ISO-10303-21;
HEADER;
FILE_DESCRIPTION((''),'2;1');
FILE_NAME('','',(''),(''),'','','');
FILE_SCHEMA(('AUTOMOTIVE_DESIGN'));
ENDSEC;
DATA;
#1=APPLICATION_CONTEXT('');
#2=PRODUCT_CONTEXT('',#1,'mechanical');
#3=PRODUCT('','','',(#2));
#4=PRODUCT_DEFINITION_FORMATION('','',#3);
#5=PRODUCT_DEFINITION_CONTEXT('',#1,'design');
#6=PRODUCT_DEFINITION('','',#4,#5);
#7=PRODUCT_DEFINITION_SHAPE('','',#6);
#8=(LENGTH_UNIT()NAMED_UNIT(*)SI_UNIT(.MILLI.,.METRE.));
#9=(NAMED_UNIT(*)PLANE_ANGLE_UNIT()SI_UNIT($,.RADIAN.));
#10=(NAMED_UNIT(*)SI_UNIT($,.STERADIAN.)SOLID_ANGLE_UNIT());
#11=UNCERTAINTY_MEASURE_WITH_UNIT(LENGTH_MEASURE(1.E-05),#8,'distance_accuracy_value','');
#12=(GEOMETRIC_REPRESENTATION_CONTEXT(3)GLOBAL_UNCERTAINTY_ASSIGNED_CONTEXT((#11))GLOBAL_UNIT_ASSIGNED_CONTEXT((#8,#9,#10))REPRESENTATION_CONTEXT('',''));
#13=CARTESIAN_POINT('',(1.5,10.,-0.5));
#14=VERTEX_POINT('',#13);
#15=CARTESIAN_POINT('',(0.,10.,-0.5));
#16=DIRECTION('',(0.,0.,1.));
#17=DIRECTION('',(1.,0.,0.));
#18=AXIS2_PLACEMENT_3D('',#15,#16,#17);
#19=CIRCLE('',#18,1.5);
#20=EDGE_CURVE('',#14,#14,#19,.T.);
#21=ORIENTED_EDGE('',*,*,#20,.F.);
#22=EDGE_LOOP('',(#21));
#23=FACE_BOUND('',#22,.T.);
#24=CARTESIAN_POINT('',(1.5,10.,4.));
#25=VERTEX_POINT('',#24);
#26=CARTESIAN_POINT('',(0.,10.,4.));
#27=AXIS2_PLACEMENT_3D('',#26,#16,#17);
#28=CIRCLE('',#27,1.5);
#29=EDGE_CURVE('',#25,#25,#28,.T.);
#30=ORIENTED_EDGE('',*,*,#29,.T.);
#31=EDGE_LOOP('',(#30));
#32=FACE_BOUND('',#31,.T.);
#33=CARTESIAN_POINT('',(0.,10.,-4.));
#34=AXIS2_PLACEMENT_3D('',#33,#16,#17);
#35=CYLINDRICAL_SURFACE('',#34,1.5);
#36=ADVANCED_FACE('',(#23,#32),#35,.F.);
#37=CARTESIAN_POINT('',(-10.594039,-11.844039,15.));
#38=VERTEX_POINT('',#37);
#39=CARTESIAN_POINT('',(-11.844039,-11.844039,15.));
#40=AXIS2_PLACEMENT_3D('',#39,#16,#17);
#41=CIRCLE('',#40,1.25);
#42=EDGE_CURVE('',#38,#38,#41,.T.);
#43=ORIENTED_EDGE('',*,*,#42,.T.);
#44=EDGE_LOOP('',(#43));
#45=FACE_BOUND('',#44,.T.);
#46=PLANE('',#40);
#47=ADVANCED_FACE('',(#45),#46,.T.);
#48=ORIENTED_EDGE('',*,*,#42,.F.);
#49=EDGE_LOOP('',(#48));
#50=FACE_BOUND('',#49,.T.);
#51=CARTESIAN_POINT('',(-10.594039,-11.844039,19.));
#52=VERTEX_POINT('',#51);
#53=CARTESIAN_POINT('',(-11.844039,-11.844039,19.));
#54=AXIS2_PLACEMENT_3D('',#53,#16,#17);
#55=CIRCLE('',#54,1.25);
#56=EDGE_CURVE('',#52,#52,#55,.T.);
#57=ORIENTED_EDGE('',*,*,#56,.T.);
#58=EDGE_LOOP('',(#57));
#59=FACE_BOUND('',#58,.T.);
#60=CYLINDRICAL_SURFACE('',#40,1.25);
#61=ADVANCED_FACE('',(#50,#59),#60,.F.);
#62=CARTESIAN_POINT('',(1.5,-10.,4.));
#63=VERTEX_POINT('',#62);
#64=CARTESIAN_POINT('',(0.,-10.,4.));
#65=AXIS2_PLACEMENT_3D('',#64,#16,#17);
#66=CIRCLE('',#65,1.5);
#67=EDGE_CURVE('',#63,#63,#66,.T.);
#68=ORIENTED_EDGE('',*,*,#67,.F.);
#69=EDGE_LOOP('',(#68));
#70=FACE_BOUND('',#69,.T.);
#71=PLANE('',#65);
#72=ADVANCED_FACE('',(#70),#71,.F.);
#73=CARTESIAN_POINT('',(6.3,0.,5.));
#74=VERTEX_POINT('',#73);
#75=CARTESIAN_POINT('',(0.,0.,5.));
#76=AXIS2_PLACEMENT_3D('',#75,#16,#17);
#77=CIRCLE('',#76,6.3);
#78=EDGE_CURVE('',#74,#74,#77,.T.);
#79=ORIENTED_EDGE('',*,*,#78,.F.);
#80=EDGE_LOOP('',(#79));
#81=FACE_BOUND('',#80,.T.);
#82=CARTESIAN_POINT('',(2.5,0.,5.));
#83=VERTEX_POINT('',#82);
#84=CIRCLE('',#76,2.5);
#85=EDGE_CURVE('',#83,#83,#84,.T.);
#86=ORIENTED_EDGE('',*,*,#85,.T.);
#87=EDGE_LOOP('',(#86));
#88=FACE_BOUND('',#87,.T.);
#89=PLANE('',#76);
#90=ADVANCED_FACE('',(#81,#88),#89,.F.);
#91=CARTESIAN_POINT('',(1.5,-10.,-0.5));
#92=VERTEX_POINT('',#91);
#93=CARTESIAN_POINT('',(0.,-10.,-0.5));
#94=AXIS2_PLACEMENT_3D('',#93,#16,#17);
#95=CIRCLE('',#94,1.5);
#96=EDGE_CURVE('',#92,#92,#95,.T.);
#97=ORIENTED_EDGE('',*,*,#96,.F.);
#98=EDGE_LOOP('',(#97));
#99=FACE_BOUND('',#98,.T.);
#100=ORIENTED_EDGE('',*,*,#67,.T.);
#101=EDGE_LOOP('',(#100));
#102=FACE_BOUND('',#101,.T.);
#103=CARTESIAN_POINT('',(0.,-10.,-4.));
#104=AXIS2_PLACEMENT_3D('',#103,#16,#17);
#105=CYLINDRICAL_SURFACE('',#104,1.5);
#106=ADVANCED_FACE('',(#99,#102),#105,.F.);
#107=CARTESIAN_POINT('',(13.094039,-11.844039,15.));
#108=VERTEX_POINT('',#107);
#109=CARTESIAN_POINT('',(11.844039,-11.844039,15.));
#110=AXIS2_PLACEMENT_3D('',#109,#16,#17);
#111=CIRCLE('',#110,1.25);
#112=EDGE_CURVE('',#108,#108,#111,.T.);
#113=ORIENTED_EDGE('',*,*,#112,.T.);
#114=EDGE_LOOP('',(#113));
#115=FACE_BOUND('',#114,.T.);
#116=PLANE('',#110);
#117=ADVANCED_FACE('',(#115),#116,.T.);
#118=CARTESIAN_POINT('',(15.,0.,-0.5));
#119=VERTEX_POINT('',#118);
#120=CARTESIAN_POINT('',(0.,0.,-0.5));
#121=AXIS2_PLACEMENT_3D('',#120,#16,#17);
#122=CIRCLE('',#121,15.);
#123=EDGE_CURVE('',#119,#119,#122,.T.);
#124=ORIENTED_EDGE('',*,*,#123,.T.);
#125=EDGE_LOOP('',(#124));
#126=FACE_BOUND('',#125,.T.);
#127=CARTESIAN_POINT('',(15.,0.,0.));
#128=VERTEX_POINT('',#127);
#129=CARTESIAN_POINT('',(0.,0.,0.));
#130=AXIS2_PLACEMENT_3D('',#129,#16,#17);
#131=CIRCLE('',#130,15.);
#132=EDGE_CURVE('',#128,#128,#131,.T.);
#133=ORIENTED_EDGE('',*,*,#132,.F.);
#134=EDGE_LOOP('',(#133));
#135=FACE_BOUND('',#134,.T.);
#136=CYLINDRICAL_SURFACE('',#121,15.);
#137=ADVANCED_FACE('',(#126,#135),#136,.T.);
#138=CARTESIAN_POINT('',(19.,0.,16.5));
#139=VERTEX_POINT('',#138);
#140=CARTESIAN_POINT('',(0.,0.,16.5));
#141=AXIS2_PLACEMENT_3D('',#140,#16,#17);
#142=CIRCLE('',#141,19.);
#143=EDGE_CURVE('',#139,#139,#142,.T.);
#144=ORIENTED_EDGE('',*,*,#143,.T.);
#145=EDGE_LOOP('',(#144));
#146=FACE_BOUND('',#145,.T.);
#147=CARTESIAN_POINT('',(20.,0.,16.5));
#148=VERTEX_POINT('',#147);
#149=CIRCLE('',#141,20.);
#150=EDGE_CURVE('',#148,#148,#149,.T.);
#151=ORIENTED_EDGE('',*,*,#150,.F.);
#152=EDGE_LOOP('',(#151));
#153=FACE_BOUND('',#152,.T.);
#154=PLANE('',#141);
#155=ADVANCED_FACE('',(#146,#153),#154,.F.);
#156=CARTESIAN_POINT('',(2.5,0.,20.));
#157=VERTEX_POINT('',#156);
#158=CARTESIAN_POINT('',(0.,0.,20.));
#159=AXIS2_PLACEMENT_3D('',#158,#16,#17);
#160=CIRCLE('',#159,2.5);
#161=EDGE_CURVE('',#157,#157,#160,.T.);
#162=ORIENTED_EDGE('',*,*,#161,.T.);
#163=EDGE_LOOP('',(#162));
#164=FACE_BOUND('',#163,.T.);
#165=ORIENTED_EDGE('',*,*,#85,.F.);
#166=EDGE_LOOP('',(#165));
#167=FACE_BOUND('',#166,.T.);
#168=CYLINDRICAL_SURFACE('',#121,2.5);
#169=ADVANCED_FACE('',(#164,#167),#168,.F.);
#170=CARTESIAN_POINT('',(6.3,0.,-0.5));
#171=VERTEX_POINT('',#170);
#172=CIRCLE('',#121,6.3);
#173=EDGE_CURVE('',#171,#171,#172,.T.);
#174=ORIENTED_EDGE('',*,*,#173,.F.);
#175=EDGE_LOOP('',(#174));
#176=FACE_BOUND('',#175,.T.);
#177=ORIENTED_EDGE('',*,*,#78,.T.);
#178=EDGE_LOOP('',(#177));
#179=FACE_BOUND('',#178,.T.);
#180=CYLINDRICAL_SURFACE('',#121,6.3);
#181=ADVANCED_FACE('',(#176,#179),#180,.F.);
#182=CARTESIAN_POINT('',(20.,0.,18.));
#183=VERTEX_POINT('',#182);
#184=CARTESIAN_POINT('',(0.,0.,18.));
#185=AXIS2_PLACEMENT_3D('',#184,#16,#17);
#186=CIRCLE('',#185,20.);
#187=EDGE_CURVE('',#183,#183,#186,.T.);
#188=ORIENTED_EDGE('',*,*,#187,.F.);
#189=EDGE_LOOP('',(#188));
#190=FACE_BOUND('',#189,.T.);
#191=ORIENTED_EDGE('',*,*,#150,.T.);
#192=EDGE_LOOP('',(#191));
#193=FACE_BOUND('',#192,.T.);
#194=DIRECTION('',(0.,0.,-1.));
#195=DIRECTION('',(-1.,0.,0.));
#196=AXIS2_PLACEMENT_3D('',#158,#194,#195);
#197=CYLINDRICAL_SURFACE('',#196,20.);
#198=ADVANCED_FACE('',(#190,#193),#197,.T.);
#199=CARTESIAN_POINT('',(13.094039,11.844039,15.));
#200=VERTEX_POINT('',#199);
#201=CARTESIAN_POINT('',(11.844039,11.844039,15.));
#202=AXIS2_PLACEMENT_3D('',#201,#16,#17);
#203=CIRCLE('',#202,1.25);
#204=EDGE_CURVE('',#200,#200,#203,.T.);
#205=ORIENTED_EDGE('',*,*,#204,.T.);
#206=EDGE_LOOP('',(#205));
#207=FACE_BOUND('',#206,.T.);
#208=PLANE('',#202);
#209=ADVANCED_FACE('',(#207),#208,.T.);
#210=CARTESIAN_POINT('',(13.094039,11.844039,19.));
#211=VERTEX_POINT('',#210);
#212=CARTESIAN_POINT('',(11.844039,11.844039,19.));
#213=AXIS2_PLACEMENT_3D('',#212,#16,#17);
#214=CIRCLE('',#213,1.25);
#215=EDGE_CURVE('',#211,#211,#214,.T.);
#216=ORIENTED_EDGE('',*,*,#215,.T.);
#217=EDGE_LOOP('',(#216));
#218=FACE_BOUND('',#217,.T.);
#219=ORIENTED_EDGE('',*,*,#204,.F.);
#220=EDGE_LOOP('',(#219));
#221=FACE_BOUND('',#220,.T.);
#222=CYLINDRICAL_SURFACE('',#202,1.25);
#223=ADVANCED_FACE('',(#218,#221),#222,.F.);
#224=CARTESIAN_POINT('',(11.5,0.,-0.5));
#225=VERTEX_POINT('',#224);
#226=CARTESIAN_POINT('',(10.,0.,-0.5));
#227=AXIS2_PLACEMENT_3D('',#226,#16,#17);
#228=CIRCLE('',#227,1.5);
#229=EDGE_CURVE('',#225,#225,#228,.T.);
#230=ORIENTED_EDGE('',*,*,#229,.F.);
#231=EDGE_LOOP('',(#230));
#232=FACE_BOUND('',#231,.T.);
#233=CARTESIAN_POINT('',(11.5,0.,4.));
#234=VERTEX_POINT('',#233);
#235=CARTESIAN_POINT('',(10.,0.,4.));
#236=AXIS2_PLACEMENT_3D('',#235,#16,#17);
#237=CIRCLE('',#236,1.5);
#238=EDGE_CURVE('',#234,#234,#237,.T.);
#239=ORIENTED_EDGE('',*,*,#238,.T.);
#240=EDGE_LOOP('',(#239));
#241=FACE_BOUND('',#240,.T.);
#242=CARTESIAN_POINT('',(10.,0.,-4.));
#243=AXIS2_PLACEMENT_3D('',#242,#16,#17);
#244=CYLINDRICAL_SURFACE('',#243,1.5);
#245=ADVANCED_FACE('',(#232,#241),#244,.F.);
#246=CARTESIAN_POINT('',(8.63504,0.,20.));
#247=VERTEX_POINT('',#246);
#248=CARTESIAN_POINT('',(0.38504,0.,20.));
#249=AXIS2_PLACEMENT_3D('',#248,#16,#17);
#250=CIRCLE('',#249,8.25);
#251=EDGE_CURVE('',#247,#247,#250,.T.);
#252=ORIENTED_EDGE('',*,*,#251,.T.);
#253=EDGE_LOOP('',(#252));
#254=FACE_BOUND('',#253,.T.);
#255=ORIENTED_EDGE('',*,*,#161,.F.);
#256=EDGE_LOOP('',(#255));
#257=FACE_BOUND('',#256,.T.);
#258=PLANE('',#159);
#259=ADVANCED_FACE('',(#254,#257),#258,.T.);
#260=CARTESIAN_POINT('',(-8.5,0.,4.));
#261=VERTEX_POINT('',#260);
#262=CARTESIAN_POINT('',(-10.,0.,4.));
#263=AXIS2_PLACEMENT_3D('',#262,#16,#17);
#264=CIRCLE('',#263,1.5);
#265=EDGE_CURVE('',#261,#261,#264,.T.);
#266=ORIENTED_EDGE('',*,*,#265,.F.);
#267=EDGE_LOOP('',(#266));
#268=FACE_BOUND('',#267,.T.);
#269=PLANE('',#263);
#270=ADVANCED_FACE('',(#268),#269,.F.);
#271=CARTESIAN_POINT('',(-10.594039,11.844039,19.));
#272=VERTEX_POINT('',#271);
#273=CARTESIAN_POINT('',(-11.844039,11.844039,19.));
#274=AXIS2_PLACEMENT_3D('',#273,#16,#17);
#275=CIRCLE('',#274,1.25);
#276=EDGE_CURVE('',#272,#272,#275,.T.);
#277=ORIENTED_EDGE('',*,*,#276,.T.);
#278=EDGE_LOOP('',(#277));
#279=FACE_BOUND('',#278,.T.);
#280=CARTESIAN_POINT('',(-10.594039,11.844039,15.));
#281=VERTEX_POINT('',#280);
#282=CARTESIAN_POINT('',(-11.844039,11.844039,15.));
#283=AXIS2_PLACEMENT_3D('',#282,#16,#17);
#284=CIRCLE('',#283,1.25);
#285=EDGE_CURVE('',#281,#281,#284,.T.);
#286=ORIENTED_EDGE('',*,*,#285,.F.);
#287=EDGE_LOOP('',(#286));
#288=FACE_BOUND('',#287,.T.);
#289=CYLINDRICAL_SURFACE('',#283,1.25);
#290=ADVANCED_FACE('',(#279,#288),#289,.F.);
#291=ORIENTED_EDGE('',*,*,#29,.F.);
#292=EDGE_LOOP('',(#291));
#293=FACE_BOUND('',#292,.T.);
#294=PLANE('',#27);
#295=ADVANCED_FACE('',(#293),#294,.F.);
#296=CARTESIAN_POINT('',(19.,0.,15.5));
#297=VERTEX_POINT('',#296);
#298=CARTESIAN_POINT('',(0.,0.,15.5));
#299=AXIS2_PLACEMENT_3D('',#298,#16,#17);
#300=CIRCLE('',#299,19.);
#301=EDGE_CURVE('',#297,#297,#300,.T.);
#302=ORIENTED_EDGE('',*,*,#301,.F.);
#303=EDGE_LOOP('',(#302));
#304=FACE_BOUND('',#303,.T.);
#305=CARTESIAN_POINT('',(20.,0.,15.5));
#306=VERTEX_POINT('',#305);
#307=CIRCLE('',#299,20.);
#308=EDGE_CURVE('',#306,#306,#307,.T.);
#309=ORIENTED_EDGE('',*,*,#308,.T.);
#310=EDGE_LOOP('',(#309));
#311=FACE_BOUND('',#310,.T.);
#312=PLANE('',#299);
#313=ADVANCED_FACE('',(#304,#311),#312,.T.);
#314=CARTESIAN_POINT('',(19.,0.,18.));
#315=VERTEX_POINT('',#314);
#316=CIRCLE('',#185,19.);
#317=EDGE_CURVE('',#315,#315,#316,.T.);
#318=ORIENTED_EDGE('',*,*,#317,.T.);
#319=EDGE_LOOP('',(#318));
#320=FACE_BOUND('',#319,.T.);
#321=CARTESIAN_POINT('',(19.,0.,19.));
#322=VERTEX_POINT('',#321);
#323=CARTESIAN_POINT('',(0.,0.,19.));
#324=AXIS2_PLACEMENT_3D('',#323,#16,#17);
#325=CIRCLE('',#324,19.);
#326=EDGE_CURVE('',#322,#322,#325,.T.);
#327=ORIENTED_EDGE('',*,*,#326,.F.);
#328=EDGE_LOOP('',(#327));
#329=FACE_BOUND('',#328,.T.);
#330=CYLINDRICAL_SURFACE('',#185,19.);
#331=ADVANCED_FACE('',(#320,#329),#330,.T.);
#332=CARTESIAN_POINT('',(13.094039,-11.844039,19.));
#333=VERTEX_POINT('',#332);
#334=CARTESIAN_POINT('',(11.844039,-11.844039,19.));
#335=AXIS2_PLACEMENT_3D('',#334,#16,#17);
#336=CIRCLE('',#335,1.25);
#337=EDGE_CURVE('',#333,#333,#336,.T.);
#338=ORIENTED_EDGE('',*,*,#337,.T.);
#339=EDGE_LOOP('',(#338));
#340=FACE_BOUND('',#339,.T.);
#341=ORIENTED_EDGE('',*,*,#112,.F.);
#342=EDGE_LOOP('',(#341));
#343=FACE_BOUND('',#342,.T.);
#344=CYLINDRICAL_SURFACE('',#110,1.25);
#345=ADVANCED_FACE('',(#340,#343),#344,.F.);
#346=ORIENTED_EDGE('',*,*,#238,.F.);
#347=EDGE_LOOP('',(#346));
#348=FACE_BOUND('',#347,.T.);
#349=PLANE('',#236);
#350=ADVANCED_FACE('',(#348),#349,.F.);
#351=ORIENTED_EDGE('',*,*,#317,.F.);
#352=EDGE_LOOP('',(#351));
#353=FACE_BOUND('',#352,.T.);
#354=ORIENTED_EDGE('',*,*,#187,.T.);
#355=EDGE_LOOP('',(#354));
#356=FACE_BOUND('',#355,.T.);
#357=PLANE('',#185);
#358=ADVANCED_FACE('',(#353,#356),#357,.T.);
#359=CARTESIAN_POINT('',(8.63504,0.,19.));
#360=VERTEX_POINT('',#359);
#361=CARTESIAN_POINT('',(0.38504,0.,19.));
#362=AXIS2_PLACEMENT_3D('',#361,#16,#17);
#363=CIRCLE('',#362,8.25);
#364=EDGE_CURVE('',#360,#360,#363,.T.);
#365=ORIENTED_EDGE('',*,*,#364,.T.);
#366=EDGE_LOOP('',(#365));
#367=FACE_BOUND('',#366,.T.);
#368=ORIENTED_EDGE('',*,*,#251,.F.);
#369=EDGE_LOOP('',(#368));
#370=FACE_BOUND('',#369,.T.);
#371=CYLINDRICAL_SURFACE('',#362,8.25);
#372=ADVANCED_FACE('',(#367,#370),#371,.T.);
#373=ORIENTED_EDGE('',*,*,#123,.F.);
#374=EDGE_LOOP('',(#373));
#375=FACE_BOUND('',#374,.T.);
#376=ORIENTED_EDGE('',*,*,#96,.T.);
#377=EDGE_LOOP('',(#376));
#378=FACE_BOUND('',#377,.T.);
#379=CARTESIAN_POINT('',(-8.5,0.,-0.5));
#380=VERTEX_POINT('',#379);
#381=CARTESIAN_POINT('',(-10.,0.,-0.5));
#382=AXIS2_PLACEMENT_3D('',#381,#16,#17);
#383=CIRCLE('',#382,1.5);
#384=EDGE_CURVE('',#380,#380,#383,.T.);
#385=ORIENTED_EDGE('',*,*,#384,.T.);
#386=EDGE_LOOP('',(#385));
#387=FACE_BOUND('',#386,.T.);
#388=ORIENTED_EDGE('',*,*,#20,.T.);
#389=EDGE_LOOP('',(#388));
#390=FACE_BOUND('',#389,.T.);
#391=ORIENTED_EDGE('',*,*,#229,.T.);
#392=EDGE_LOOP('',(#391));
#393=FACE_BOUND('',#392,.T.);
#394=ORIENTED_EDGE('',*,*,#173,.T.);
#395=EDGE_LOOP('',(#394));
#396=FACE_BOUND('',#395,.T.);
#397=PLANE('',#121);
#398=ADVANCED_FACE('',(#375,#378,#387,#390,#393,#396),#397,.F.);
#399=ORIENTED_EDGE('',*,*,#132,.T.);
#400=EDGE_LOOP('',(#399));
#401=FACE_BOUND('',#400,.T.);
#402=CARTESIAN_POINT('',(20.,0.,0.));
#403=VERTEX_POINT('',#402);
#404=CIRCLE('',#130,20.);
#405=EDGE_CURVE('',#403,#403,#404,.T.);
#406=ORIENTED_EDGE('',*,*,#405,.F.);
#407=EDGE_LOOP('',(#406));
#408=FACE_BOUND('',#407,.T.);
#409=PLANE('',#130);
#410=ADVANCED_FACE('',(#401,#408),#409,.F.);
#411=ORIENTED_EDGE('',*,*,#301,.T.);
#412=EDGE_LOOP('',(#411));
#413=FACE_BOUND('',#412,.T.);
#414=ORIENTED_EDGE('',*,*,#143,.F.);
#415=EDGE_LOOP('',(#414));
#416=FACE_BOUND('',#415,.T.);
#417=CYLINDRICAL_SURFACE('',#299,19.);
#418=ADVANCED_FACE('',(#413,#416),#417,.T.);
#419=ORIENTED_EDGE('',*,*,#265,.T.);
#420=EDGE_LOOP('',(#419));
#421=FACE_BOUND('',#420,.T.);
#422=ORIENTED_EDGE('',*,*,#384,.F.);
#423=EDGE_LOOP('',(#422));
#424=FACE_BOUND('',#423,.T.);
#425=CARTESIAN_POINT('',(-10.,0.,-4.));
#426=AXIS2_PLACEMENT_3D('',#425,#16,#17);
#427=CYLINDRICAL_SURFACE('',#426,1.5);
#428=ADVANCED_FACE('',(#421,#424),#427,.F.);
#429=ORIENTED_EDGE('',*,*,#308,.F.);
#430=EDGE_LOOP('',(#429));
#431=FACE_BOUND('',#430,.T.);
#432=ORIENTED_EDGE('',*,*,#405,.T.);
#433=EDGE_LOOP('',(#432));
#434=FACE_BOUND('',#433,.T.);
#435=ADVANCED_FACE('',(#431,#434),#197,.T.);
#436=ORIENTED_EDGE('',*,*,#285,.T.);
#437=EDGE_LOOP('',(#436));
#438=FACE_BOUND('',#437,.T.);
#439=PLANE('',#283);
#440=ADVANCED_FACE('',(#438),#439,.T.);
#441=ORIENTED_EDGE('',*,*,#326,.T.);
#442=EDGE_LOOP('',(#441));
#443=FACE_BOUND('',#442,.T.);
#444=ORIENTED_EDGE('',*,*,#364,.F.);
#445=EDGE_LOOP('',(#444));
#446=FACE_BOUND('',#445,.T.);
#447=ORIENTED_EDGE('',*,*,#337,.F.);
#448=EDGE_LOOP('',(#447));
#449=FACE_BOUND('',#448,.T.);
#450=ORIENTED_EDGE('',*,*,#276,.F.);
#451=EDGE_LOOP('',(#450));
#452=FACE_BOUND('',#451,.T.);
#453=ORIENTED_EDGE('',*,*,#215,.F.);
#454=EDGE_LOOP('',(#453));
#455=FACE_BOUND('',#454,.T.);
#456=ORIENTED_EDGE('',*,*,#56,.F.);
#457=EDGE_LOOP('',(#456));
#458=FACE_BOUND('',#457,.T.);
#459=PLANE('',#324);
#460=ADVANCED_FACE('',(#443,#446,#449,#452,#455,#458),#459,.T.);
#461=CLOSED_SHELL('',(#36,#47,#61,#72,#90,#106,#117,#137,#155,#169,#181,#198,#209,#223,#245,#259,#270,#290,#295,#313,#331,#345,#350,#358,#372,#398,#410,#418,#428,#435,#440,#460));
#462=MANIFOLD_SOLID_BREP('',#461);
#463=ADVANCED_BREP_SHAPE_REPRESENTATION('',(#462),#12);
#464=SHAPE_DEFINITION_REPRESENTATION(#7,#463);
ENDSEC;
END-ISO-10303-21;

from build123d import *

# Parameters (mm, degrees)
SKETCH_1_R               = 20
EXTRUDE_1_DEPTH          = 20
SKETCH_2_R               = 15
EXTRUDE_2_DEPTH          = 0.5
CUT_EXTRUDE_2_DEPTH      = 4
CUT_EXTRUDE_2_DEPTH_BACK = 4
SKETCH_3_R               = 1.5
CUT_EXTRUDE_START        = -1
SKETCH_4_R               = 20
SKETCH_4_R_2             = 8.25
CUT_EXTRUDE_3_DEPTH      = 1
CUT_EXTRUDE_START_2      = -2
SKETCH_5_R               = 20
SKETCH_5_R_2             = 19
CUT_EXTRUDE_4_DEPTH      = 2
SKETCH_6_R               = 20
SKETCH_6_R_2             = 19
CUT_EXTRUDE_5_DEPTH      = 1
SKETCH_7_R               = 1.25
CUT_EXTRUDE_6_DEPTH      = 5
CUT_EXTRUDE_7_DEPTH      = 5
CUT_EXTRUDE_7_DEPTH_BACK = 35.641016151
SKETCH_8_R               = 6.3
CUT_EXTRUDE_8_DEPTH      = 35.641016151
CUT_EXTRUDE_8_DEPTH_BACK = 35.641016151
SKETCH_9_R               = 2.5


with BuildPart() as part:
    # 草图1 → 凸台-拉伸1 (new body)
    with BuildSketch(Plane.XY):
        Circle(SKETCH_1_R)
    extrude(amount=EXTRUDE_1_DEPTH)

    # 草图2 → 凸台-拉伸2 (add)
    with BuildSketch(Plane.XY):
        Circle(SKETCH_2_R)
    extrude(amount=-EXTRUDE_2_DEPTH)

    # 草图3 → 切除-拉伸2 (cut, two sides: drawn at the far end of the back side and taken through both)
    with BuildSketch(Plane.XY.offset(-CUT_EXTRUDE_2_DEPTH_BACK)):
        with Locations((0, 10)):
            Circle(SKETCH_3_R)
        with Locations((10, 0)):
            Circle(SKETCH_3_R)
        with Locations((0, -10)):
            Circle(SKETCH_3_R)
        with Locations((-10, 0)):
            Circle(SKETCH_3_R)
    extrude(amount=CUT_EXTRUDE_2_DEPTH + CUT_EXTRUDE_2_DEPTH_BACK, mode=Mode.SUBTRACT)

    # 草图4 → 切除-拉伸3 (cut)
    with BuildSketch(Plane.XY.offset(20).offset(CUT_EXTRUDE_START)):
        Circle(SKETCH_4_R)
        with Locations((0.385039993, 0)):
            Circle(SKETCH_4_R_2, mode=Mode.SUBTRACT)
    extrude(amount=CUT_EXTRUDE_3_DEPTH, mode=Mode.SUBTRACT)

    # 草图5 → 切除-拉伸4 (cut)
    with BuildSketch(Plane.XY.offset(20).offset(CUT_EXTRUDE_START_2)):
        Circle(SKETCH_5_R)
        Circle(SKETCH_5_R_2, mode=Mode.SUBTRACT)
    extrude(amount=CUT_EXTRUDE_4_DEPTH, mode=Mode.SUBTRACT)

    # 草图6 → 切除-拉伸5 (cut)
    with BuildSketch(Plane.XY.offset(16.5).offset(CUT_EXTRUDE_START)):
        Circle(SKETCH_6_R)
        Circle(SKETCH_6_R_2, mode=Mode.SUBTRACT)
    extrude(amount=CUT_EXTRUDE_5_DEPTH, mode=Mode.SUBTRACT)

    # 草图7 → 切除-拉伸6 (cut)
    with BuildSketch(Plane.XY.offset(20)):
        with Locations((-11.844038585, -11.844038585)):
            Circle(SKETCH_7_R)
        with Locations((-11.844038585, 11.844038585)):
            Circle(SKETCH_7_R)
        with Locations((11.844038585, 11.844038585)):
            Circle(SKETCH_7_R)
        with Locations((11.844038585, -11.844038585)):
            Circle(SKETCH_7_R)
    extrude(amount=-CUT_EXTRUDE_6_DEPTH, mode=Mode.SUBTRACT)

    # 草图8 → 切除-拉伸7 (cut, two sides: drawn at the far end of the back side and taken through both)
    with BuildSketch(Plane.XY.offset(-CUT_EXTRUDE_7_DEPTH_BACK)):
        Circle(SKETCH_8_R)
    extrude(amount=CUT_EXTRUDE_7_DEPTH + CUT_EXTRUDE_7_DEPTH_BACK, mode=Mode.SUBTRACT)

    # 草图9 → 切除-拉伸8 (cut, two sides: drawn at the far end of the back side and taken through both)
    with BuildSketch(Plane.XY.offset(-CUT_EXTRUDE_8_DEPTH_BACK)):
        Circle(SKETCH_9_R)
    extrude(amount=CUT_EXTRUDE_8_DEPTH + CUT_EXTRUDE_8_DEPTH_BACK, mode=Mode.SUBTRACT)


solid = part.part
